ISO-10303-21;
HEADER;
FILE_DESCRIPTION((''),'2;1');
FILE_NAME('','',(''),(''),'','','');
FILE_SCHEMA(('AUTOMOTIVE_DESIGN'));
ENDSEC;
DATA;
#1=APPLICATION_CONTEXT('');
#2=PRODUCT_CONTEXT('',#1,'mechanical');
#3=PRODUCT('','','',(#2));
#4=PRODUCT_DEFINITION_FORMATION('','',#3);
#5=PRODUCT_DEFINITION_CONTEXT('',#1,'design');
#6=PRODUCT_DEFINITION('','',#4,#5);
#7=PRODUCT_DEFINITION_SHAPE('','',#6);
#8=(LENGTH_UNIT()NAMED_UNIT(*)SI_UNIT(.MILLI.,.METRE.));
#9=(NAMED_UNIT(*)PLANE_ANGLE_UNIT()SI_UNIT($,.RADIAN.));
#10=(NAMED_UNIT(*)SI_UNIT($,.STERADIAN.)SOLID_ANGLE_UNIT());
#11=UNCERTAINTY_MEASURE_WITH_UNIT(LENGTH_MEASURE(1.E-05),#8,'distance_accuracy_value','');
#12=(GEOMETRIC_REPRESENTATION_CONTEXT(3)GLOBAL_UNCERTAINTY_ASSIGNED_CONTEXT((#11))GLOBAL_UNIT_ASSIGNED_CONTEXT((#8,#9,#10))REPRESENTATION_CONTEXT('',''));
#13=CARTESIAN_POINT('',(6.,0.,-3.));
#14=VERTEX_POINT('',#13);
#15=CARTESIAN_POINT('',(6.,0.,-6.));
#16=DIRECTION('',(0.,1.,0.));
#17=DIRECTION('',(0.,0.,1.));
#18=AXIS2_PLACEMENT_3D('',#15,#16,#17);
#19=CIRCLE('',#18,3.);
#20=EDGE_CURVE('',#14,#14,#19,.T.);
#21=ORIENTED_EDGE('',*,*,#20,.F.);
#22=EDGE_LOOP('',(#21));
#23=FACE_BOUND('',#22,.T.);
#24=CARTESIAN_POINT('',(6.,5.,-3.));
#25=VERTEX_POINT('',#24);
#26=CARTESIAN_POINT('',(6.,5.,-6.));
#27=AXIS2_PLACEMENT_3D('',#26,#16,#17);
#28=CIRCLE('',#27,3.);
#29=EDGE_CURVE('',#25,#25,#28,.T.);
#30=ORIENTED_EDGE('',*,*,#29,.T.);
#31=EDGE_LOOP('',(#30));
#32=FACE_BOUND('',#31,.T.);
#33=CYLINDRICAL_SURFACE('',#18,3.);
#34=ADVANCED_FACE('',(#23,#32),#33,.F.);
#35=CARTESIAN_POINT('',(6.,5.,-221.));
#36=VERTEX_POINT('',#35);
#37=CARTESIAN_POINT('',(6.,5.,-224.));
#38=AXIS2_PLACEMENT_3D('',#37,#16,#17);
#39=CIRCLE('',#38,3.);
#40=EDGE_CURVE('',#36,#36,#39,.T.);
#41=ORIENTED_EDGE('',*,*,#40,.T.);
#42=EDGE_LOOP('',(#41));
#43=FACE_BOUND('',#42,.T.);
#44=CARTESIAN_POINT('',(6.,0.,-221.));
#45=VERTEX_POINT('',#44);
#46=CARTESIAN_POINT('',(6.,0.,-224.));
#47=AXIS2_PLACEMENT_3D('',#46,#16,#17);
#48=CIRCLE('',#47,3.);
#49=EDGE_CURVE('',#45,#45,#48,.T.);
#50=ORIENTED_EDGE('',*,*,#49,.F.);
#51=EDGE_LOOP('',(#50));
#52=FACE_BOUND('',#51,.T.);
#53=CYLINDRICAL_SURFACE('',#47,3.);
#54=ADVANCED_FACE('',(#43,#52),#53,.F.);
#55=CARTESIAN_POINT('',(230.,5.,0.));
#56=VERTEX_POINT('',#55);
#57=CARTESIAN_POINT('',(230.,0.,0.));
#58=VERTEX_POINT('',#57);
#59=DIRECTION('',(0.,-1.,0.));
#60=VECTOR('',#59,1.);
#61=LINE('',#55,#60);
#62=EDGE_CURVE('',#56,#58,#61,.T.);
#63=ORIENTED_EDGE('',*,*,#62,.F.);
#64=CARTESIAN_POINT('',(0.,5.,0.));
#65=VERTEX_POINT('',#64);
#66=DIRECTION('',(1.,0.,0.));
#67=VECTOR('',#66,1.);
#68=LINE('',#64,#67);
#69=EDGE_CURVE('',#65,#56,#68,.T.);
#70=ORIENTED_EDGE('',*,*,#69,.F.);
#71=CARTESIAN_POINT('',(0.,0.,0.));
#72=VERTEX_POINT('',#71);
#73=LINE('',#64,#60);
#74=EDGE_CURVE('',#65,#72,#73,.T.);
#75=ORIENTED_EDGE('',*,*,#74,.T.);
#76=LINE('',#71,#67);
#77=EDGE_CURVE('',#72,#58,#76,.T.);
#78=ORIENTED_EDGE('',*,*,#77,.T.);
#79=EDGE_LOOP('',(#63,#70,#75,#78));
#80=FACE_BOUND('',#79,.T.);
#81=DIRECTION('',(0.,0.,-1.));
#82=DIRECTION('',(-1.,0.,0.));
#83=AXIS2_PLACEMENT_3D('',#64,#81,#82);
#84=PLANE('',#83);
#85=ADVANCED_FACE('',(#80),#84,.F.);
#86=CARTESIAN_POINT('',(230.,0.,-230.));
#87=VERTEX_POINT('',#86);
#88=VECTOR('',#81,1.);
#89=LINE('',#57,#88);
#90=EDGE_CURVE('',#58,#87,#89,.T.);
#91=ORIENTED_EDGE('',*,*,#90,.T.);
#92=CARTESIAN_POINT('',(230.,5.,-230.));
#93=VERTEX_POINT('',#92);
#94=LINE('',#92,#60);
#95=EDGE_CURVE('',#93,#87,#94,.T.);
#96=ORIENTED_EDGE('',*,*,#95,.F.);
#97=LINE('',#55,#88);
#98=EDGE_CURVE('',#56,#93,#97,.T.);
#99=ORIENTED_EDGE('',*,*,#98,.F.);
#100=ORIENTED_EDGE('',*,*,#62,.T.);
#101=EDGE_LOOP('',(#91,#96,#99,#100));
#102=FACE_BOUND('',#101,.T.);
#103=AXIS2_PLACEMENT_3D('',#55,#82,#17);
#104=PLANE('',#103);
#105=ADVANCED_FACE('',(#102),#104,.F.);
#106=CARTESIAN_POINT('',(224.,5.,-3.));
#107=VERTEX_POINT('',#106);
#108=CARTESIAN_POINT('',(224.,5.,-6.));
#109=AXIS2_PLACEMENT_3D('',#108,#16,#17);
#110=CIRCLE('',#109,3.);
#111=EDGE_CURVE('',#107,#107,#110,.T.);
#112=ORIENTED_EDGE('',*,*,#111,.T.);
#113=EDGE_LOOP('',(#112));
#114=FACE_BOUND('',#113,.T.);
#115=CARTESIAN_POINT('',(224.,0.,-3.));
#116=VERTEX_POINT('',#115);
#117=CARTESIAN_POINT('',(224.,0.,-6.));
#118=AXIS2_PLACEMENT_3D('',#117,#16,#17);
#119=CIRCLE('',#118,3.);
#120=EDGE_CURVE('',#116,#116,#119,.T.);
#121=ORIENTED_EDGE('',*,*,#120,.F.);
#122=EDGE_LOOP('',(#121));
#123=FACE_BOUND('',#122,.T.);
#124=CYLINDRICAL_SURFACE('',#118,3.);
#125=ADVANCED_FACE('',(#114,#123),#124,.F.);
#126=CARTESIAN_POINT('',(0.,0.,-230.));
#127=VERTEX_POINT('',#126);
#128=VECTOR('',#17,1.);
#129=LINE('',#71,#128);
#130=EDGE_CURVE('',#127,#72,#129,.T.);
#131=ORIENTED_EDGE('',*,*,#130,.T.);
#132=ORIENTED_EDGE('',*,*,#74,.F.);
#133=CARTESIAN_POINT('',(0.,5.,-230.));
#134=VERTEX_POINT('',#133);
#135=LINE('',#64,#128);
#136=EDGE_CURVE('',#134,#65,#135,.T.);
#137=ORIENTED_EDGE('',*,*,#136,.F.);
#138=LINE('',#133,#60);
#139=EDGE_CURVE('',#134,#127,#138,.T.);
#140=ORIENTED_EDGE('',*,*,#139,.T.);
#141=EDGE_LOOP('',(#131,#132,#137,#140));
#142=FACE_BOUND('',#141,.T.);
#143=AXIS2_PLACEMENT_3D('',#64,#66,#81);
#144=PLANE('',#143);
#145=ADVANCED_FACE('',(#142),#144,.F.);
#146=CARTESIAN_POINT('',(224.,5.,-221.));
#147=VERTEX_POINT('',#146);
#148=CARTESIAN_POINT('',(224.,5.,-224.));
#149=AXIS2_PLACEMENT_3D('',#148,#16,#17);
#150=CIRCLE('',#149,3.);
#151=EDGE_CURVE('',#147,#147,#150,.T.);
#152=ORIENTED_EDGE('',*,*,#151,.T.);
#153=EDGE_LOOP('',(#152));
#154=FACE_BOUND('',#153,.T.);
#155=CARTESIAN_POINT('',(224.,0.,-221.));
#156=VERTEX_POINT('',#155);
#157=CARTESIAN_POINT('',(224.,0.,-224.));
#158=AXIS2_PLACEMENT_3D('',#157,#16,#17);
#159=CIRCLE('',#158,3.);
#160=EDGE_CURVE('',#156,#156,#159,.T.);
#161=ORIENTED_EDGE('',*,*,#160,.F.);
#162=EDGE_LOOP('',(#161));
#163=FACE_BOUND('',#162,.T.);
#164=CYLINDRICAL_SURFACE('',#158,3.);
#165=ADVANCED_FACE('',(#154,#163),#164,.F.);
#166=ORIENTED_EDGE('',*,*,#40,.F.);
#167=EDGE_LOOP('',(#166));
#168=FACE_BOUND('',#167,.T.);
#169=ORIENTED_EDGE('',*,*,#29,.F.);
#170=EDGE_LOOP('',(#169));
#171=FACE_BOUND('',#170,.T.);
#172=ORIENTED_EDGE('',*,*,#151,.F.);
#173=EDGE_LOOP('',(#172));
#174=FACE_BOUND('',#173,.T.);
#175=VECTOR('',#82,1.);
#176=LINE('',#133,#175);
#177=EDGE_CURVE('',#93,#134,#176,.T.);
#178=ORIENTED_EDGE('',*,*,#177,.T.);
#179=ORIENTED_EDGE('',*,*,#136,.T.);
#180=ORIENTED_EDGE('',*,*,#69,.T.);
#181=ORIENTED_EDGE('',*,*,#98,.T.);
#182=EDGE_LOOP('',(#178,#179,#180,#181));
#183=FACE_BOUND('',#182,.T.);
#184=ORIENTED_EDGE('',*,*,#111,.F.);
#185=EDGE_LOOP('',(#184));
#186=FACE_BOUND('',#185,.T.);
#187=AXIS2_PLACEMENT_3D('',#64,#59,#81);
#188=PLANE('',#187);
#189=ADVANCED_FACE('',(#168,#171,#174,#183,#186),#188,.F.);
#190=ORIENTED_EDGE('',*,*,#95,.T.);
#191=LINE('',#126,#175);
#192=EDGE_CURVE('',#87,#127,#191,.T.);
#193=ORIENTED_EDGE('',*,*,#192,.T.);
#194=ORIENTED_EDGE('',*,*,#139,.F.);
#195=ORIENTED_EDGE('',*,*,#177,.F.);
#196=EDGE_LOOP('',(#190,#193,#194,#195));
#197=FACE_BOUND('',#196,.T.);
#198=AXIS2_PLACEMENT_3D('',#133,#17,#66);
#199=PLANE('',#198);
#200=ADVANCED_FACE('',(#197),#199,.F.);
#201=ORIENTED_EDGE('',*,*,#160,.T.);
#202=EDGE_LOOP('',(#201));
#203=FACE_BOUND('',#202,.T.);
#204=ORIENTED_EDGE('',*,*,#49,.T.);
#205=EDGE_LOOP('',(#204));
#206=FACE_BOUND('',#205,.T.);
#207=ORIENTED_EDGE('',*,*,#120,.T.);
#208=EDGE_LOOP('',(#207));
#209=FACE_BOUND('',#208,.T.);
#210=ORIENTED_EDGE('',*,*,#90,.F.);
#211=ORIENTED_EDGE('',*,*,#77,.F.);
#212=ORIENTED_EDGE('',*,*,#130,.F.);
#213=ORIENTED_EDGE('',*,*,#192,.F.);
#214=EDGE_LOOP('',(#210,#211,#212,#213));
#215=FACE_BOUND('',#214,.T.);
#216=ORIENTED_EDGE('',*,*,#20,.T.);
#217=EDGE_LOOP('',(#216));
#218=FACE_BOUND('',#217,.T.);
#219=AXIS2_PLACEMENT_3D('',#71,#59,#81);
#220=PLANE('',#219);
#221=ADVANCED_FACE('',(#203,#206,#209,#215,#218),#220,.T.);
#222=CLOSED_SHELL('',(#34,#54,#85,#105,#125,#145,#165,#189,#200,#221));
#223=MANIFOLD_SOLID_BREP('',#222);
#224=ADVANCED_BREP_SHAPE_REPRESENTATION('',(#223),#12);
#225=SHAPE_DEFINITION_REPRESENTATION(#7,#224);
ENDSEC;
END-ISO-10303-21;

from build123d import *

# Parameters (mm, degrees)
SKETCH2_W           = 230
SKETCH2_H           = 230
BOSS_EXTRUDE1_DEPTH = 5
SKETCH3_R           = 3
CUT_EXTRUDE1_DEPTH  = 326.307546792
SKETCH4_R           = 3
CUT_EXTRUDE2_DEPTH  = 326.307546792
SKETCH5_R           = 3
CUT_EXTRUDE3_DEPTH  = 326.307546792
SKETCH6_R           = 3
CUT_EXTRUDE4_DEPTH  = 326.307546792


with BuildPart() as part:
    # Sketch2 → Boss-Extrude1 (new body)
    with BuildSketch(Plane(origin=(0, 0, 0), x_dir=(1, 0, 0), z_dir=(0, 1, 0))):
        with Locations((115, 115)):
            Rectangle(SKETCH2_W, SKETCH2_H)
    extrude(amount=BOSS_EXTRUDE1_DEPTH)

    # Sketch3 → Cut-Extrude1 (cut, through all)
    with BuildSketch(Plane(origin=(0, 5, 0), x_dir=(1, 0, 0), z_dir=(0, 1, 0))):
        with Locations(Location((6, 224, 0), (0, 0, 270))):
            Circle(SKETCH3_R)
    extrude(amount=-CUT_EXTRUDE1_DEPTH, mode=Mode.SUBTRACT)

    # Sketch4 → Cut-Extrude2 (cut, through all)
    with BuildSketch(Plane(origin=(0, 5, 0), x_dir=(1, 0, 0), z_dir=(0, 1, 0))):
        with Locations(Location((224, 224, 0), (0, 0, 270))):
            Circle(SKETCH4_R)
    extrude(amount=-CUT_EXTRUDE2_DEPTH, mode=Mode.SUBTRACT)

    # Sketch5 → Cut-Extrude3 (cut, through all)
    with BuildSketch(Plane(origin=(0, 5, 0), x_dir=(1, 0, 0), z_dir=(0, 1, 0))):
        with Locations(Location((6, 6, 0), (0, 0, 270))):
            Circle(SKETCH5_R)
    extrude(amount=-CUT_EXTRUDE3_DEPTH, mode=Mode.SUBTRACT)

    # Sketch6 → Cut-Extrude4 (cut, through all)
    with BuildSketch(Plane(origin=(0, 5, 0), x_dir=(1, 0, 0), z_dir=(0, 1, 0))):
        with Locations(Location((224, 6, 0), (0, 0, 270))):
            Circle(SKETCH6_R)
    extrude(amount=-CUT_EXTRUDE4_DEPTH, mode=Mode.SUBTRACT)


solid = part.part
